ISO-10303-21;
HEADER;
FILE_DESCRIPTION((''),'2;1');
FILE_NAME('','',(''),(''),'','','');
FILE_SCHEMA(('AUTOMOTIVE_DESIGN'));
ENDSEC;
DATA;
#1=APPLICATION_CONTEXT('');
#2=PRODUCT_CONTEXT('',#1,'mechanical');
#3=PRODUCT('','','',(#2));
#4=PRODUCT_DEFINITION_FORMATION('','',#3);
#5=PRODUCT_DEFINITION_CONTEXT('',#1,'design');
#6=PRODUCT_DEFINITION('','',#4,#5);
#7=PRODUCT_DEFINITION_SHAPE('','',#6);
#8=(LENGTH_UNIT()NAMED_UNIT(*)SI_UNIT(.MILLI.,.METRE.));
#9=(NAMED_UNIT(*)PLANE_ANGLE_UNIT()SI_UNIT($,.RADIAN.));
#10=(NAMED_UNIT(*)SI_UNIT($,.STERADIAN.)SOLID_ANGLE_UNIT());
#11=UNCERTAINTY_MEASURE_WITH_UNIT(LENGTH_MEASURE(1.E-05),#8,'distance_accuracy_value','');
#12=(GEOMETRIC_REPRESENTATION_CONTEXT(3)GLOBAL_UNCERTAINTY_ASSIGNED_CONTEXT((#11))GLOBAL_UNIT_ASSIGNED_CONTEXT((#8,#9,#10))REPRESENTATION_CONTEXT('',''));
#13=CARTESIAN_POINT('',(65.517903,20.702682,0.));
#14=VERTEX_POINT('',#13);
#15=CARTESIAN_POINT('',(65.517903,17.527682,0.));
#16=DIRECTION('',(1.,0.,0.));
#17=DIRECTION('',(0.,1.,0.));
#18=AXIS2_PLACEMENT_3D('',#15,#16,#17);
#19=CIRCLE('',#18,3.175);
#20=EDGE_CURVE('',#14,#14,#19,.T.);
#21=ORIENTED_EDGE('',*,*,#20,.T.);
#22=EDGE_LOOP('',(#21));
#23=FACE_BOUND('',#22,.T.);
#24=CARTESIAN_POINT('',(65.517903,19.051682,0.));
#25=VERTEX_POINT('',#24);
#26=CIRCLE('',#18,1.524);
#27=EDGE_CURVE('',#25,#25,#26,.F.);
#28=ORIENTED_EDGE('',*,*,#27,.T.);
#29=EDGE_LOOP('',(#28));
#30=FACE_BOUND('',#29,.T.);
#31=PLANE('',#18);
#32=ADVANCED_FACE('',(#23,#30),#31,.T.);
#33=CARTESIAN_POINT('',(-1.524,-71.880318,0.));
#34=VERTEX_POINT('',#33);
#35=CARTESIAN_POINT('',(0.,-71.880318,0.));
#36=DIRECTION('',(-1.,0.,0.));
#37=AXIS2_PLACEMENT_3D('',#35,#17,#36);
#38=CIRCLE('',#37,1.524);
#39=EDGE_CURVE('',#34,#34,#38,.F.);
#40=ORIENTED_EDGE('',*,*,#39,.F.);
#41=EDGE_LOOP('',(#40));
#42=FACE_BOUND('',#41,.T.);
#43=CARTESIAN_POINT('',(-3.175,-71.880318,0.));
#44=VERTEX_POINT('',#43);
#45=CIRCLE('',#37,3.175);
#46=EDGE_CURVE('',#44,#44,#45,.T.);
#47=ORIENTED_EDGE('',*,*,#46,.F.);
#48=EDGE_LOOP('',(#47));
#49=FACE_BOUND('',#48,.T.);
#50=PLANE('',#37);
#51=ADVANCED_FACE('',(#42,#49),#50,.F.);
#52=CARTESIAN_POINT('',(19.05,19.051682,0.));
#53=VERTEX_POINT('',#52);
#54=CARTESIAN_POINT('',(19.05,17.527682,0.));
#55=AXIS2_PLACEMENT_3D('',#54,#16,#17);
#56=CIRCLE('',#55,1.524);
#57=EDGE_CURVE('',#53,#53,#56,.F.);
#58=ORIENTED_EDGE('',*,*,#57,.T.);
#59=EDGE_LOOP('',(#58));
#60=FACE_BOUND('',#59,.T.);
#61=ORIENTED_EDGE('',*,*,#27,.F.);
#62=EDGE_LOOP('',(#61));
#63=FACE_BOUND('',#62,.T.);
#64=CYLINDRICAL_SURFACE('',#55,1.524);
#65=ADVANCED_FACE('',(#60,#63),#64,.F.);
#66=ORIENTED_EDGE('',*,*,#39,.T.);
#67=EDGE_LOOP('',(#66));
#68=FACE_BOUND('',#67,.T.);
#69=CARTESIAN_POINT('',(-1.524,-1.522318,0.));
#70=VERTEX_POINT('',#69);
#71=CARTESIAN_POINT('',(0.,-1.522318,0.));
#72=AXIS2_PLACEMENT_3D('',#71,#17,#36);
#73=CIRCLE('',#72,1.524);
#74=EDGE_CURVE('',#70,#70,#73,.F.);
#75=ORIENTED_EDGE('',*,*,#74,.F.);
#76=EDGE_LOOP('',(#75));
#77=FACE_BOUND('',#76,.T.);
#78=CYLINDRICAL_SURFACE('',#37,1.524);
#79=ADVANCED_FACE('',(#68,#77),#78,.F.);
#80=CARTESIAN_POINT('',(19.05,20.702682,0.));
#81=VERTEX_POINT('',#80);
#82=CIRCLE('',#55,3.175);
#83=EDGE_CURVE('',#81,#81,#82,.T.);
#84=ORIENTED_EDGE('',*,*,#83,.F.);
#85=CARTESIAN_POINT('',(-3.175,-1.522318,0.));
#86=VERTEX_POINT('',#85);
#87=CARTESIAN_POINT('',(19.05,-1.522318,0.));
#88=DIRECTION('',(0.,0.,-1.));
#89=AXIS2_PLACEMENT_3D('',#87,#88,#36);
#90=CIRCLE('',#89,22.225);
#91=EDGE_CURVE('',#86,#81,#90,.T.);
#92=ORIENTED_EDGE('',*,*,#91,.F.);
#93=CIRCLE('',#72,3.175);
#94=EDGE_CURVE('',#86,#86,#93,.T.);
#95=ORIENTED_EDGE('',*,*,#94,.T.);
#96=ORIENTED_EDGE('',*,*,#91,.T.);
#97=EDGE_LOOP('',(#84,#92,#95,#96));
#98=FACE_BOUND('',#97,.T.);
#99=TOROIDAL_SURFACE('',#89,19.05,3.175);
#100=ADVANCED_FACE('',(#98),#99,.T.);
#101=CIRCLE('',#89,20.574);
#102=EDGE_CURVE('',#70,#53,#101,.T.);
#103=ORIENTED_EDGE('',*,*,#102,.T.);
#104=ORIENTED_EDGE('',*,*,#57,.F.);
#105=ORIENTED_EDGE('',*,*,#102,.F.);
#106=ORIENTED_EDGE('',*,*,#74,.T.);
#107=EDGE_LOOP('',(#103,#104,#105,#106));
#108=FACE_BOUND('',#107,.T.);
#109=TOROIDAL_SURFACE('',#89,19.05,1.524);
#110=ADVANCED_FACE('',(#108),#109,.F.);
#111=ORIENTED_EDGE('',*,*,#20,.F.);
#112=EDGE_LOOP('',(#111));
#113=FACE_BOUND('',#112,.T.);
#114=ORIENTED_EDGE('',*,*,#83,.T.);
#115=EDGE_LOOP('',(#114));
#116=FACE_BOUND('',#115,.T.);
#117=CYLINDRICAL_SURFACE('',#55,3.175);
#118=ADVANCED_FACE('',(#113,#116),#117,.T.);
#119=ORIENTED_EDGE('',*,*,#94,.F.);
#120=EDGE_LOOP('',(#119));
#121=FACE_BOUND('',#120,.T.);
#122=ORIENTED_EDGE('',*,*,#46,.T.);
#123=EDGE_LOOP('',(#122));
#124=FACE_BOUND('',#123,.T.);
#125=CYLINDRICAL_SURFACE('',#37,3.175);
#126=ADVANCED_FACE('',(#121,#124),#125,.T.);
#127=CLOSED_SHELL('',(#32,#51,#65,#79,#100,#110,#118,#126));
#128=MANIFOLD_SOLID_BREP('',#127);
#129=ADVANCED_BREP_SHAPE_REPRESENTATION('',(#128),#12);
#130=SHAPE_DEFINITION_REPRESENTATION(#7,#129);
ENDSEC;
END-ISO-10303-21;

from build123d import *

# Parameters (mm, degrees)
SKETCH2_R   = 3.175
SKETCH2_R_2 = 1.524


with BuildPart() as part:
    # Sweep1: sweep along a path in Sketch1
    with BuildLine(Plane.XY) as sweep1_path:
        Line((0, -71.880317881), (0, -1.522317881))
        ThreePointArc((0, -1.522317881), (5.579615818, 11.948066301), (19.05, 17.527682119))
        Line((19.05, 17.527682119), (65.517903, 17.527682119))
    # Sketch2 → Sweep1 (sweep)
    with BuildSketch(Plane(origin=(65.517903, 17.527682119, 0), x_dir=(0, 0, -1), z_dir=(1, 0, 0))):
        Circle(SKETCH2_R)
        Circle(SKETCH2_R_2, mode=Mode.SUBTRACT)
    sweep(path=sweep1_path.line)


solid = part.part
